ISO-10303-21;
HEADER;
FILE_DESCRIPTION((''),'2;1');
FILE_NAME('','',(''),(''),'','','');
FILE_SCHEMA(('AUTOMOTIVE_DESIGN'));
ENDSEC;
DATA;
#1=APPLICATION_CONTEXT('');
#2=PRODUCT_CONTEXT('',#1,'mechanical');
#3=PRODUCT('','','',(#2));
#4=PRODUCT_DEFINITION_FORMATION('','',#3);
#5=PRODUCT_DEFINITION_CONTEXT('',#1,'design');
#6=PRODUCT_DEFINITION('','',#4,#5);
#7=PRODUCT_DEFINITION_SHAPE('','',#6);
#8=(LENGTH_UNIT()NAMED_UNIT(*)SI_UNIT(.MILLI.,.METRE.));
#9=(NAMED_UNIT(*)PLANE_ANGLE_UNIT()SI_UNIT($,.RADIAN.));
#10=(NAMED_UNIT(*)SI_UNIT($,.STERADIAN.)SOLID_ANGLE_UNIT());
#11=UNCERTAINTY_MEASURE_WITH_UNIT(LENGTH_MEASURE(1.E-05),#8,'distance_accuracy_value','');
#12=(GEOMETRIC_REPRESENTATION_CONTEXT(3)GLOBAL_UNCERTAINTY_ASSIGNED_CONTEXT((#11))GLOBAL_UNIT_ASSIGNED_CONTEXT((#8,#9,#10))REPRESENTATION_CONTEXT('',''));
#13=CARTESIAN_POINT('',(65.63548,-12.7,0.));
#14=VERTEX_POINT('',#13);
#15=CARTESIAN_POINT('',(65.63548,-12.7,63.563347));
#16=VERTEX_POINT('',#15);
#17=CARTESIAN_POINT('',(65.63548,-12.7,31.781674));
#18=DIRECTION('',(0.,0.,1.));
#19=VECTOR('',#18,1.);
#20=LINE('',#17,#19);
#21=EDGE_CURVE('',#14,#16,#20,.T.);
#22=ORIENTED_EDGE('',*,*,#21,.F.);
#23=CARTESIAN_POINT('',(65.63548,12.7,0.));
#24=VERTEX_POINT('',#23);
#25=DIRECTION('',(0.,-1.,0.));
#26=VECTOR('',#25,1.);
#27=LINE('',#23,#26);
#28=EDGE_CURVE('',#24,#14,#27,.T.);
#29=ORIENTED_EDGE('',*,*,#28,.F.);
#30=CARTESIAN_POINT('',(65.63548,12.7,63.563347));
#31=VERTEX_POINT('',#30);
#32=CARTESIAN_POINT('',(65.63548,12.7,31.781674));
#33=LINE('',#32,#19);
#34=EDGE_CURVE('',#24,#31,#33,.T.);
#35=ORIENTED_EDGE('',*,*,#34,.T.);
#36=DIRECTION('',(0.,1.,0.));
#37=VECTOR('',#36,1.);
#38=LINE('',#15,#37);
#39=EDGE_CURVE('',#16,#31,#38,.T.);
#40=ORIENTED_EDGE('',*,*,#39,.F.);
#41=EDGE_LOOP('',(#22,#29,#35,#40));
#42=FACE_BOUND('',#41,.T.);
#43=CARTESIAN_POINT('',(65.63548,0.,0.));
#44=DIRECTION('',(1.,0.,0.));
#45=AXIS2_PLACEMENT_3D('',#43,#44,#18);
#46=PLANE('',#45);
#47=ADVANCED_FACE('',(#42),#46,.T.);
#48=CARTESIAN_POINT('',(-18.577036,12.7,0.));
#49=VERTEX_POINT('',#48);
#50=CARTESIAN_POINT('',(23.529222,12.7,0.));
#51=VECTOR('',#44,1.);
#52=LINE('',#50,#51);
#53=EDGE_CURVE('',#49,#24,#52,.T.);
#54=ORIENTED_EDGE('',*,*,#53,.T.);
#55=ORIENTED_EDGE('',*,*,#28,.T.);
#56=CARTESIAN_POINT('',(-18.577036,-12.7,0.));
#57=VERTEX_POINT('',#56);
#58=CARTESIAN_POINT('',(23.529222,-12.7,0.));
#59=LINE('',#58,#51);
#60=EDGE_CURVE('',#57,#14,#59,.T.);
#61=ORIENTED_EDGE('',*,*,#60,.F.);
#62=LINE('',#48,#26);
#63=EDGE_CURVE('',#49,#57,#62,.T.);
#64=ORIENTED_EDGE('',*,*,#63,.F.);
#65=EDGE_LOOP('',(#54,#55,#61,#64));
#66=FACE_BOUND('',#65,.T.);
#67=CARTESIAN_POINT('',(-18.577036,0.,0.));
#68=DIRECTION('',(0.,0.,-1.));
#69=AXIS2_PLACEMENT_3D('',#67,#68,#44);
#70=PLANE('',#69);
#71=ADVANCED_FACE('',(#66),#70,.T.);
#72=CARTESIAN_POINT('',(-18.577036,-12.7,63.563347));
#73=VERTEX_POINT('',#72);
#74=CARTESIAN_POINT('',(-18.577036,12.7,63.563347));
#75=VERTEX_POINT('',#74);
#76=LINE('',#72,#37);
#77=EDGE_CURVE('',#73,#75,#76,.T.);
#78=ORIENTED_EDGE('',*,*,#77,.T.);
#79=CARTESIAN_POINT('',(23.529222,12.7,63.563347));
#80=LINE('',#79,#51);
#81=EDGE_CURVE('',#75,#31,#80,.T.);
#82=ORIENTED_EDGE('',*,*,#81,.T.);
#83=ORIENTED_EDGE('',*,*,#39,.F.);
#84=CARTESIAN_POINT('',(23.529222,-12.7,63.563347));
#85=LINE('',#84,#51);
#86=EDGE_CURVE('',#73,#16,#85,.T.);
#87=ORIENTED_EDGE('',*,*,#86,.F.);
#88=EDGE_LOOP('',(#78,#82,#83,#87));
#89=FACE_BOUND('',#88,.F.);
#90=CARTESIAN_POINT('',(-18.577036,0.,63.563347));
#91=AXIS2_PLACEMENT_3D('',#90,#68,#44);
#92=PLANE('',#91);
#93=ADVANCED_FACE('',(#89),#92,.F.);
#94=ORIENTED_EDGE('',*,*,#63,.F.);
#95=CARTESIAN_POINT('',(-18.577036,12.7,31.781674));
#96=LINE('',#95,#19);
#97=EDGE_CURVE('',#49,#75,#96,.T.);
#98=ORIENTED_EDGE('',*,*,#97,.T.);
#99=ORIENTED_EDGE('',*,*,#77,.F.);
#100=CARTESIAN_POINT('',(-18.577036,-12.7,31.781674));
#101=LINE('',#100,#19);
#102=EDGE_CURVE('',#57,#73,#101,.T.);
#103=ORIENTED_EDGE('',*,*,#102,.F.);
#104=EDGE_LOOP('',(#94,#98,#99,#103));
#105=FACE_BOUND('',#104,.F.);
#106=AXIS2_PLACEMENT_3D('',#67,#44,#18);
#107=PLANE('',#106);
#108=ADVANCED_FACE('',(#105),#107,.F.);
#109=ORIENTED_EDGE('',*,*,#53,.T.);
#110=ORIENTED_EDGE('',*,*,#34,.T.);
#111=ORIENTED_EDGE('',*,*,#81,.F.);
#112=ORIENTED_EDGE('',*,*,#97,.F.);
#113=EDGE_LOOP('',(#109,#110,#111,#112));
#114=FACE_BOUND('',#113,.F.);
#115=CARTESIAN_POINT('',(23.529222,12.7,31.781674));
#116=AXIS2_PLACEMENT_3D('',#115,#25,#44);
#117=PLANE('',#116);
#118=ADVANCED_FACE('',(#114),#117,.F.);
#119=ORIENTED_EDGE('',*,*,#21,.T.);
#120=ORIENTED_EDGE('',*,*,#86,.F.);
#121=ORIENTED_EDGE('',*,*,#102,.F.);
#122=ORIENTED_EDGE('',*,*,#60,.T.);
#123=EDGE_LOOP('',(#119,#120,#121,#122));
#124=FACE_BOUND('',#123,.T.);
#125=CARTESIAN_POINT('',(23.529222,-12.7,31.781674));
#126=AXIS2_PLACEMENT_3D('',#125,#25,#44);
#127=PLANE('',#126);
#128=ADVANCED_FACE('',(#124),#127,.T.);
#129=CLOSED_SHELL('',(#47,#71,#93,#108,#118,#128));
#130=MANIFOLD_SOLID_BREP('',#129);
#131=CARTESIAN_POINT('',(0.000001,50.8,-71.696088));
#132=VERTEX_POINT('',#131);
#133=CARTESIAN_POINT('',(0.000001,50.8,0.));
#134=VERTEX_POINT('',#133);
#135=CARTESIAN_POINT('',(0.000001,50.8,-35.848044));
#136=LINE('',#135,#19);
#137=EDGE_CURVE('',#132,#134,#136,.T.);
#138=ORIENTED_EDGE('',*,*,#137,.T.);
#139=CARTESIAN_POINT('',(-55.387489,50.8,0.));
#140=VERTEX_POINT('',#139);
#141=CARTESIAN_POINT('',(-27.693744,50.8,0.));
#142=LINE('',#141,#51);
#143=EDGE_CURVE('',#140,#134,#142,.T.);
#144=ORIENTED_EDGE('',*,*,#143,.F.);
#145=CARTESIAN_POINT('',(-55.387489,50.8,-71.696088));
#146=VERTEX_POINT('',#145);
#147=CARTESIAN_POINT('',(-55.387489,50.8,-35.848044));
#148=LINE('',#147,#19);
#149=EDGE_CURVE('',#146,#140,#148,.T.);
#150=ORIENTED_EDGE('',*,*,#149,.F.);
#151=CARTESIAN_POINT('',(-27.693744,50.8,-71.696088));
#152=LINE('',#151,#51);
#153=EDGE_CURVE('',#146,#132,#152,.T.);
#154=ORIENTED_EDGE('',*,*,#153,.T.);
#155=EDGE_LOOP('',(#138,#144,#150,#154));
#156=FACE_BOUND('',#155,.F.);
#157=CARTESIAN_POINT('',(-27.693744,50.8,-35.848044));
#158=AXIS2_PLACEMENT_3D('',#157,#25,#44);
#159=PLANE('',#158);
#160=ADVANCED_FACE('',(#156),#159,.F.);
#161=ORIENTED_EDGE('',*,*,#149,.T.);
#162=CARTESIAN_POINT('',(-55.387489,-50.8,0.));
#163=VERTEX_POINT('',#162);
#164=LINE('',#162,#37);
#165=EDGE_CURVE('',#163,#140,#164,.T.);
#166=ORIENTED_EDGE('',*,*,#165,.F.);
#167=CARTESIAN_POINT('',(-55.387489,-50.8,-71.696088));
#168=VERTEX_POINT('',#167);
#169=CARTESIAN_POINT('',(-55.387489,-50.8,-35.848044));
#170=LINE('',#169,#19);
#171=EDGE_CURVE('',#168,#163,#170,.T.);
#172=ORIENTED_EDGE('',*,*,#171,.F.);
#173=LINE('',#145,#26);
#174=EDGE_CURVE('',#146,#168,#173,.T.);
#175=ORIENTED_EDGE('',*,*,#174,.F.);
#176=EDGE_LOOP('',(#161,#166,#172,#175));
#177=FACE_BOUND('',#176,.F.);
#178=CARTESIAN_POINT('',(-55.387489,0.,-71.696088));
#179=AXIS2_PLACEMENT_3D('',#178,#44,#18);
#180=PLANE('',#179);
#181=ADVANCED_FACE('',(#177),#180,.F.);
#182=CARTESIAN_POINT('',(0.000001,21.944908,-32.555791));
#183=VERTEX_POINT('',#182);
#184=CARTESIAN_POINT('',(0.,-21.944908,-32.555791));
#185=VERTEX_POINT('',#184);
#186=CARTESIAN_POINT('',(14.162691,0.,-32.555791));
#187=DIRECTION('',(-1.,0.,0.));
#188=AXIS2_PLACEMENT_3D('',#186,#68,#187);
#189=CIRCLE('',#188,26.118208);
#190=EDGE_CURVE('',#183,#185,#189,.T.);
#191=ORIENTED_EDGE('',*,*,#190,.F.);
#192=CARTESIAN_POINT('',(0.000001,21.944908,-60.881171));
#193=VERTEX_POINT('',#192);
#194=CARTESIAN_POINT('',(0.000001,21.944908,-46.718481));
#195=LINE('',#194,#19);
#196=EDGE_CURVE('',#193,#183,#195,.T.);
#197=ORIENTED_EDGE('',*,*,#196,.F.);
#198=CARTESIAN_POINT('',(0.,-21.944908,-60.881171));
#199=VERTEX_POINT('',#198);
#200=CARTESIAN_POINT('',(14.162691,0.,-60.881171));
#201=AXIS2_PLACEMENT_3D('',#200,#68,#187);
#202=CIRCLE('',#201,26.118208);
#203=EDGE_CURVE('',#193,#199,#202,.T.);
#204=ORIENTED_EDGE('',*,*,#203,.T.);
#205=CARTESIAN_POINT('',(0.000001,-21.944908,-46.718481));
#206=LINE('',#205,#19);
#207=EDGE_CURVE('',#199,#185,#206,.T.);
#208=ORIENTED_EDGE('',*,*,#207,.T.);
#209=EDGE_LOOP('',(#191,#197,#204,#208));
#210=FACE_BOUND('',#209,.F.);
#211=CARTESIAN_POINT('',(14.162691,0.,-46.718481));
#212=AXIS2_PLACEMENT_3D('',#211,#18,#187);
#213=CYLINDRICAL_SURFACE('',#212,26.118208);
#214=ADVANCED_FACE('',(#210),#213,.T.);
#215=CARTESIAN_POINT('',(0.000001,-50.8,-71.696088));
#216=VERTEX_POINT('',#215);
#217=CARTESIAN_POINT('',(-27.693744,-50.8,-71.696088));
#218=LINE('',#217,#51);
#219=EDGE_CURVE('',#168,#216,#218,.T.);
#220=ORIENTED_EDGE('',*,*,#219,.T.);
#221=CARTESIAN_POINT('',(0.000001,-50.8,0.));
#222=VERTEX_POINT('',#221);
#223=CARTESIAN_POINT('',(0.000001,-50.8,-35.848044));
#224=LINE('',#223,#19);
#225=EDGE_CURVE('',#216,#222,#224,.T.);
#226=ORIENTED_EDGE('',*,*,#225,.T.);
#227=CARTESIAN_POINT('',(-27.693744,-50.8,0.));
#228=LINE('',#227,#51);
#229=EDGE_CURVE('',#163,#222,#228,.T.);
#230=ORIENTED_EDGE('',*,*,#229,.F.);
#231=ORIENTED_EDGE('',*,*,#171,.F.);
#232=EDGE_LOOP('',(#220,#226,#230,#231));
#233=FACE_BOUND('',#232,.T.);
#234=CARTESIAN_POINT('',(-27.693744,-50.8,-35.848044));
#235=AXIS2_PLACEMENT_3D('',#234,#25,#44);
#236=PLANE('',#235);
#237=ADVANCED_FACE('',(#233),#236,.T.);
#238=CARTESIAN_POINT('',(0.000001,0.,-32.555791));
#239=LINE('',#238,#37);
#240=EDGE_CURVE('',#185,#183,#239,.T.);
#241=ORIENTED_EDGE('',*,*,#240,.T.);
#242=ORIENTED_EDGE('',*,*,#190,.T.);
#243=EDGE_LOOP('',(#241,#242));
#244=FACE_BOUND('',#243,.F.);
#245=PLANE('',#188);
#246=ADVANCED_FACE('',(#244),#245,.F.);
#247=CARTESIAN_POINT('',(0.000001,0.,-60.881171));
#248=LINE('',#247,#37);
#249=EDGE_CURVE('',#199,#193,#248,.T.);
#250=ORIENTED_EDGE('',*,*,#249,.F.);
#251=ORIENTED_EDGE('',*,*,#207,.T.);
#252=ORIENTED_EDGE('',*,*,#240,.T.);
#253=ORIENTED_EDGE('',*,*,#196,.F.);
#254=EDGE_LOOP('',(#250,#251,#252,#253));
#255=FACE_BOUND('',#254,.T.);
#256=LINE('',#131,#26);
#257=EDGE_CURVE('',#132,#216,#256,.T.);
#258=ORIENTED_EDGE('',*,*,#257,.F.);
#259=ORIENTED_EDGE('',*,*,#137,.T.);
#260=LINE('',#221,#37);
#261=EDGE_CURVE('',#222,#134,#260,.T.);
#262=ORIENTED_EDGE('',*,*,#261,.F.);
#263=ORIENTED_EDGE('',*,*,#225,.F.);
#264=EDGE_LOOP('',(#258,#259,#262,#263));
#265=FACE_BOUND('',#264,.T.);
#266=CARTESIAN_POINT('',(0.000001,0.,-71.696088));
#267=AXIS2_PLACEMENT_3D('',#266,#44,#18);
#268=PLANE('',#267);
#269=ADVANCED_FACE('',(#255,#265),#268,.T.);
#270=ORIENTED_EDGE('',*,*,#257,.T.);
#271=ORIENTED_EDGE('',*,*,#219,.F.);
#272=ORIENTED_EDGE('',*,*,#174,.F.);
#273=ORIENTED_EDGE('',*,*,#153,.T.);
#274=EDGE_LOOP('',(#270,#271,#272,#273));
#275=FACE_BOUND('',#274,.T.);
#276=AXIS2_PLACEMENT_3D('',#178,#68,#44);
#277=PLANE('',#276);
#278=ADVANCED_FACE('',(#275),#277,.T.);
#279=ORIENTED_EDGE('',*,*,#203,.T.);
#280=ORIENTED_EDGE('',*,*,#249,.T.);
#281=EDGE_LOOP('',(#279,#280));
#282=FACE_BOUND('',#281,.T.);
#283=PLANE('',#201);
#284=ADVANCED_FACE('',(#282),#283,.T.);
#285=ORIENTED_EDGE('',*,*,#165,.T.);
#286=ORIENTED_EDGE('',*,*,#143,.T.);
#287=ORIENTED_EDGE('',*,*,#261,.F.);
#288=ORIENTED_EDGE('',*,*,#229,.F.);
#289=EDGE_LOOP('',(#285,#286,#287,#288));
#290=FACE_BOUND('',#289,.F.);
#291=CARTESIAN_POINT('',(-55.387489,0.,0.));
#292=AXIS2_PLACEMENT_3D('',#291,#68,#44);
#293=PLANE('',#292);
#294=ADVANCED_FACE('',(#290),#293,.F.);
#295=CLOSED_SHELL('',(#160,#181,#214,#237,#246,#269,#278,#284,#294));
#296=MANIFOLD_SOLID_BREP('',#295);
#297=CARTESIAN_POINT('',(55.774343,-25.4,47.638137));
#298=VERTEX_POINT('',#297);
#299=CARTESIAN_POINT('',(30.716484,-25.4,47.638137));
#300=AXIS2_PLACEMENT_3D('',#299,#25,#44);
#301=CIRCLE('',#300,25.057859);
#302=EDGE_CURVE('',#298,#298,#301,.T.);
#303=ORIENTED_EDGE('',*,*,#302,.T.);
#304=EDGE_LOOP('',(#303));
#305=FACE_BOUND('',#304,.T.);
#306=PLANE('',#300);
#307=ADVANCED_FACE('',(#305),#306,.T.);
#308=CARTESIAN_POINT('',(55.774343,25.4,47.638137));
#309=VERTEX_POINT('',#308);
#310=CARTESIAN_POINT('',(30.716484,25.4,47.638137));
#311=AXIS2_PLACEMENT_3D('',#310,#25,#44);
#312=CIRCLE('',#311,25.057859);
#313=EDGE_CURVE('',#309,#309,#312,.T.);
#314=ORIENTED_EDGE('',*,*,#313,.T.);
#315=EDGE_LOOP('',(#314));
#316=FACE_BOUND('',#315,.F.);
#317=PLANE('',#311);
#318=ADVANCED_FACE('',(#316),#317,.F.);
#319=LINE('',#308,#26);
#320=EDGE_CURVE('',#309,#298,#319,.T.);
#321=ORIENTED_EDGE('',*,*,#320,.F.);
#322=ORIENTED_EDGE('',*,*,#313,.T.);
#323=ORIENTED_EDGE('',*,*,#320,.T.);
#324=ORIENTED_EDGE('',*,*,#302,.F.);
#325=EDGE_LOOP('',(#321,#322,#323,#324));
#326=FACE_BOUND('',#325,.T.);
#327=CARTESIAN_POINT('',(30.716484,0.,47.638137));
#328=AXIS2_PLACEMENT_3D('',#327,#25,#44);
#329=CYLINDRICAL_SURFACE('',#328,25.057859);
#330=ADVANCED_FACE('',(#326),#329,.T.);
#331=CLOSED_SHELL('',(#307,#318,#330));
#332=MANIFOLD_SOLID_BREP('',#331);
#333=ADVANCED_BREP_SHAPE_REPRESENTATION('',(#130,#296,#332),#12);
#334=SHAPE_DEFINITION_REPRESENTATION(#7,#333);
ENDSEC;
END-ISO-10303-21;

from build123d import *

# Parameters (mm, degrees)
F0_W     = 55.387489
F0_H     = 71.696088
F1_DEPTH = 50.8
F2_R     = 25.057859
F3_DEPTH = 25.4
F4_W     = 84.212516
F4_H     = 63.563347
F5_DEPTH = 12.7
F6_W     = 26.118208
F6_H     = 28.325379


with BuildPart() as f1:
    # F0 (on Front) → F1 (new body, symmetric)
    with BuildSketch(Plane.XZ):
        with Locations((-27.693744, -35.848044)):
            Rectangle(F0_W, F0_H)
    extrude(amount=F1_DEPTH, both=True)

    # F6 (on Front) → F7 (revolve)
    with BuildSketch(Plane.XZ):
        with Locations((1.103587, -46.718481)):
            Rectangle(F6_W, F6_H)
    revolve(axis=Axis((14.162691, 0, -46.718482), (0, 0, -1)))


with BuildPart() as f3:
    # F2 (on Front) → F3 (new body, symmetric)
    with BuildSketch(Plane.XZ):
        with Locations((30.716484, 47.638137)):
            Circle(F2_R)
    extrude(amount=F3_DEPTH, both=True)


with BuildPart() as f5:
    # F4 (on Front) → F5 (new body, symmetric)
    with BuildSketch(Plane.XZ):
        with Locations((23.529222, 31.781674)):
            Rectangle(F4_W, F4_H)
    extrude(amount=F5_DEPTH, both=True)


solid = Compound([f1.part, f3.part, f5.part])
